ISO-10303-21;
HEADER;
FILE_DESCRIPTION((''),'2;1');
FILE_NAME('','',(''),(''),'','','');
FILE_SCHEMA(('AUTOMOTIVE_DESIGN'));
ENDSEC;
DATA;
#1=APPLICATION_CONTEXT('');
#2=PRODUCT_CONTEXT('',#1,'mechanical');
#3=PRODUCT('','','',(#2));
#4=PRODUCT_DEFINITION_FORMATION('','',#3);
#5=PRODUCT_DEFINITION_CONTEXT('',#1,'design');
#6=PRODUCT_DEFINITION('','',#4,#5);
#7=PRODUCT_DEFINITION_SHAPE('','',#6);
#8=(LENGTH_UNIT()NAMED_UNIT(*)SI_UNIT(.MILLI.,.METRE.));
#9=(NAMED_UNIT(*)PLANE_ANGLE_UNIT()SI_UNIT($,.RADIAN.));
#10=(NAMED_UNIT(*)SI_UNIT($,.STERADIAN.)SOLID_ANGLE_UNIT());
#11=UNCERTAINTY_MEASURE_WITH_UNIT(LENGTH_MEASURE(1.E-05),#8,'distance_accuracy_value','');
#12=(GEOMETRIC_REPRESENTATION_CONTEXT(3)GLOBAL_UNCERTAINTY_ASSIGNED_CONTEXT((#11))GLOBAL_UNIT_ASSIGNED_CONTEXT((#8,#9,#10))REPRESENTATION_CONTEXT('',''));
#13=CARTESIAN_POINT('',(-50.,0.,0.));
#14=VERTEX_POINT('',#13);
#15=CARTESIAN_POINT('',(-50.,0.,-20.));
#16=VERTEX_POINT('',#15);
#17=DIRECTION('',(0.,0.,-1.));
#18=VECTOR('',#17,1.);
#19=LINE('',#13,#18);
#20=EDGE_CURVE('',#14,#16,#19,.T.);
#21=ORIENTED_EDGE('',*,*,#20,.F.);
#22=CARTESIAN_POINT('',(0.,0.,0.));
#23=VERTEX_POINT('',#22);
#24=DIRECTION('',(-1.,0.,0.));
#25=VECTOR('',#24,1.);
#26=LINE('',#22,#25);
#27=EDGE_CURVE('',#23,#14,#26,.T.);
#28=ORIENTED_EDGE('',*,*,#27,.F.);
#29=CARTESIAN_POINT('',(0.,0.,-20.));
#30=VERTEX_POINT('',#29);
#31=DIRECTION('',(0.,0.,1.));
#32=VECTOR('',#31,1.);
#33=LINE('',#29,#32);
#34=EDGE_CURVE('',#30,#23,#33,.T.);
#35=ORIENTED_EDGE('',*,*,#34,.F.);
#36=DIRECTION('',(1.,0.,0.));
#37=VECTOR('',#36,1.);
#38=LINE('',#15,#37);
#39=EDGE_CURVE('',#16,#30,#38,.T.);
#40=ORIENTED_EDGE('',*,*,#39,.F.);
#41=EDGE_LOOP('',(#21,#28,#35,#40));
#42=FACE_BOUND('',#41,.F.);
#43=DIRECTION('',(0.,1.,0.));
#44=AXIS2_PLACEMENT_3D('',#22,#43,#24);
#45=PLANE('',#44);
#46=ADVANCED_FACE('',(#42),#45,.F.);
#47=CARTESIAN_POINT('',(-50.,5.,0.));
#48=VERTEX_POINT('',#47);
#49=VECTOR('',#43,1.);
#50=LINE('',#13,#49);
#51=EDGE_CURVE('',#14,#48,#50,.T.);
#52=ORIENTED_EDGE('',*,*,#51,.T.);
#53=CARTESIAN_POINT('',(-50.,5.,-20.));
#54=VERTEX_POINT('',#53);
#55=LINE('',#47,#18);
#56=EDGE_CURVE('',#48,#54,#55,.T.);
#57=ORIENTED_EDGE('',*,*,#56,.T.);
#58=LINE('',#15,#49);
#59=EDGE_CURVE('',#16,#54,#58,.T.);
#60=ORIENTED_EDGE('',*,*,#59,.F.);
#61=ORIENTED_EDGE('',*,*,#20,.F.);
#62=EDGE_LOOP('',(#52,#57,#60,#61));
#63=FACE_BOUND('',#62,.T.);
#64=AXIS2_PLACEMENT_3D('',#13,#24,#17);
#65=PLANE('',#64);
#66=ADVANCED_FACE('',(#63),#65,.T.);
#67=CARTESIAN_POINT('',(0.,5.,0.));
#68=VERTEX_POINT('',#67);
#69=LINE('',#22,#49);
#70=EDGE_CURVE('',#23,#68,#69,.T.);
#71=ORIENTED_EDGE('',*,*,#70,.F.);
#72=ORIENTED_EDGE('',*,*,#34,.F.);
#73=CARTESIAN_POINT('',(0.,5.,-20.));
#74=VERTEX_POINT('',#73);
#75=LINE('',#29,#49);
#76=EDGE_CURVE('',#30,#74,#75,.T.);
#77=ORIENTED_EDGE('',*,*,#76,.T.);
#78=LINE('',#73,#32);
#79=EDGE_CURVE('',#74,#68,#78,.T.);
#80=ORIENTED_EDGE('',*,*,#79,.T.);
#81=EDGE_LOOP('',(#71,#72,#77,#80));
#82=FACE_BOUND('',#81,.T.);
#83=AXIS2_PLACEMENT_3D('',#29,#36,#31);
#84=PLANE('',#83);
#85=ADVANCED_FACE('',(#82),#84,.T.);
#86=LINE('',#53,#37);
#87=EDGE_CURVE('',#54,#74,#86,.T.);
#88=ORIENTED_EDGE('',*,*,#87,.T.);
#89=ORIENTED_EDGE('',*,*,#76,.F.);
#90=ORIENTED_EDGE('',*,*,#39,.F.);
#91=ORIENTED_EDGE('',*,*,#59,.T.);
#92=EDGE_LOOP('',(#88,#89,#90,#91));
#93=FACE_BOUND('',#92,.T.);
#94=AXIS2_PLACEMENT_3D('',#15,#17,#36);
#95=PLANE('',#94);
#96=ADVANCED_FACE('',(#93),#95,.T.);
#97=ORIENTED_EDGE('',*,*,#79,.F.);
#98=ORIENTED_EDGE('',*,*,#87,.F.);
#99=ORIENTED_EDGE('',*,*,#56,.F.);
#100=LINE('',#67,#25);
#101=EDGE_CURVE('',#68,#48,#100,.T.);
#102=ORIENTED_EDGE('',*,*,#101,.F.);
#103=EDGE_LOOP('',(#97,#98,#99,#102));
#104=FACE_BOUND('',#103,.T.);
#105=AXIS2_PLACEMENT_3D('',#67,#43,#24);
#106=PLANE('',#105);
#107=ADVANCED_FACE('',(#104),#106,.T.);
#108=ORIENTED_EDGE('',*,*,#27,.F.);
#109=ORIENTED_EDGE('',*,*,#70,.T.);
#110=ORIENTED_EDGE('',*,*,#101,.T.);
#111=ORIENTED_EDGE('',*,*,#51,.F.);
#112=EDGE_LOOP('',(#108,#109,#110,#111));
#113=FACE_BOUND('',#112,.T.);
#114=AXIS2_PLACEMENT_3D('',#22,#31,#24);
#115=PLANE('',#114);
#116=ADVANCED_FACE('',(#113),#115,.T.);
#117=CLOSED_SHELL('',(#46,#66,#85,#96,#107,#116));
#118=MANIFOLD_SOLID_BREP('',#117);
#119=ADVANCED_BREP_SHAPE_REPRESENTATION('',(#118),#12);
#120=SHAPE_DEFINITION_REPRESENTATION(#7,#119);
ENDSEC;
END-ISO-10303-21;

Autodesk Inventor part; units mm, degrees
ref_plane "YZ Plane" through (0, 0, 0) normal (1, 0, 0) x (0, 1, 0)
ref_plane "XZ Plane" through (0, 0, 0) normal (0, 1, 0) x (-1, 0, 0)
ref_plane "XY Plane" through (0, 0, 0) normal (0, 0, 1) x (1, 0, 0)
sketch "スケッチ1" plane through (0, 0, 0) normal (0, 1, 0) x (-1, 0, 0)
  line L0 (0, 0) -> (50, 0)
  line L1 (50, 0) -> (50, -20)
  line L2 (50, -20) -> (0, -20)
  line L3 (0, -20) -> (0, 0)
  dimension "d0" = 50
  dimension "d1" = 20
extrude "押し出し1" add sketch "スケッチ1" along normal blind 5
properties part number "シリコン" material "ゴム、シリコーン"
